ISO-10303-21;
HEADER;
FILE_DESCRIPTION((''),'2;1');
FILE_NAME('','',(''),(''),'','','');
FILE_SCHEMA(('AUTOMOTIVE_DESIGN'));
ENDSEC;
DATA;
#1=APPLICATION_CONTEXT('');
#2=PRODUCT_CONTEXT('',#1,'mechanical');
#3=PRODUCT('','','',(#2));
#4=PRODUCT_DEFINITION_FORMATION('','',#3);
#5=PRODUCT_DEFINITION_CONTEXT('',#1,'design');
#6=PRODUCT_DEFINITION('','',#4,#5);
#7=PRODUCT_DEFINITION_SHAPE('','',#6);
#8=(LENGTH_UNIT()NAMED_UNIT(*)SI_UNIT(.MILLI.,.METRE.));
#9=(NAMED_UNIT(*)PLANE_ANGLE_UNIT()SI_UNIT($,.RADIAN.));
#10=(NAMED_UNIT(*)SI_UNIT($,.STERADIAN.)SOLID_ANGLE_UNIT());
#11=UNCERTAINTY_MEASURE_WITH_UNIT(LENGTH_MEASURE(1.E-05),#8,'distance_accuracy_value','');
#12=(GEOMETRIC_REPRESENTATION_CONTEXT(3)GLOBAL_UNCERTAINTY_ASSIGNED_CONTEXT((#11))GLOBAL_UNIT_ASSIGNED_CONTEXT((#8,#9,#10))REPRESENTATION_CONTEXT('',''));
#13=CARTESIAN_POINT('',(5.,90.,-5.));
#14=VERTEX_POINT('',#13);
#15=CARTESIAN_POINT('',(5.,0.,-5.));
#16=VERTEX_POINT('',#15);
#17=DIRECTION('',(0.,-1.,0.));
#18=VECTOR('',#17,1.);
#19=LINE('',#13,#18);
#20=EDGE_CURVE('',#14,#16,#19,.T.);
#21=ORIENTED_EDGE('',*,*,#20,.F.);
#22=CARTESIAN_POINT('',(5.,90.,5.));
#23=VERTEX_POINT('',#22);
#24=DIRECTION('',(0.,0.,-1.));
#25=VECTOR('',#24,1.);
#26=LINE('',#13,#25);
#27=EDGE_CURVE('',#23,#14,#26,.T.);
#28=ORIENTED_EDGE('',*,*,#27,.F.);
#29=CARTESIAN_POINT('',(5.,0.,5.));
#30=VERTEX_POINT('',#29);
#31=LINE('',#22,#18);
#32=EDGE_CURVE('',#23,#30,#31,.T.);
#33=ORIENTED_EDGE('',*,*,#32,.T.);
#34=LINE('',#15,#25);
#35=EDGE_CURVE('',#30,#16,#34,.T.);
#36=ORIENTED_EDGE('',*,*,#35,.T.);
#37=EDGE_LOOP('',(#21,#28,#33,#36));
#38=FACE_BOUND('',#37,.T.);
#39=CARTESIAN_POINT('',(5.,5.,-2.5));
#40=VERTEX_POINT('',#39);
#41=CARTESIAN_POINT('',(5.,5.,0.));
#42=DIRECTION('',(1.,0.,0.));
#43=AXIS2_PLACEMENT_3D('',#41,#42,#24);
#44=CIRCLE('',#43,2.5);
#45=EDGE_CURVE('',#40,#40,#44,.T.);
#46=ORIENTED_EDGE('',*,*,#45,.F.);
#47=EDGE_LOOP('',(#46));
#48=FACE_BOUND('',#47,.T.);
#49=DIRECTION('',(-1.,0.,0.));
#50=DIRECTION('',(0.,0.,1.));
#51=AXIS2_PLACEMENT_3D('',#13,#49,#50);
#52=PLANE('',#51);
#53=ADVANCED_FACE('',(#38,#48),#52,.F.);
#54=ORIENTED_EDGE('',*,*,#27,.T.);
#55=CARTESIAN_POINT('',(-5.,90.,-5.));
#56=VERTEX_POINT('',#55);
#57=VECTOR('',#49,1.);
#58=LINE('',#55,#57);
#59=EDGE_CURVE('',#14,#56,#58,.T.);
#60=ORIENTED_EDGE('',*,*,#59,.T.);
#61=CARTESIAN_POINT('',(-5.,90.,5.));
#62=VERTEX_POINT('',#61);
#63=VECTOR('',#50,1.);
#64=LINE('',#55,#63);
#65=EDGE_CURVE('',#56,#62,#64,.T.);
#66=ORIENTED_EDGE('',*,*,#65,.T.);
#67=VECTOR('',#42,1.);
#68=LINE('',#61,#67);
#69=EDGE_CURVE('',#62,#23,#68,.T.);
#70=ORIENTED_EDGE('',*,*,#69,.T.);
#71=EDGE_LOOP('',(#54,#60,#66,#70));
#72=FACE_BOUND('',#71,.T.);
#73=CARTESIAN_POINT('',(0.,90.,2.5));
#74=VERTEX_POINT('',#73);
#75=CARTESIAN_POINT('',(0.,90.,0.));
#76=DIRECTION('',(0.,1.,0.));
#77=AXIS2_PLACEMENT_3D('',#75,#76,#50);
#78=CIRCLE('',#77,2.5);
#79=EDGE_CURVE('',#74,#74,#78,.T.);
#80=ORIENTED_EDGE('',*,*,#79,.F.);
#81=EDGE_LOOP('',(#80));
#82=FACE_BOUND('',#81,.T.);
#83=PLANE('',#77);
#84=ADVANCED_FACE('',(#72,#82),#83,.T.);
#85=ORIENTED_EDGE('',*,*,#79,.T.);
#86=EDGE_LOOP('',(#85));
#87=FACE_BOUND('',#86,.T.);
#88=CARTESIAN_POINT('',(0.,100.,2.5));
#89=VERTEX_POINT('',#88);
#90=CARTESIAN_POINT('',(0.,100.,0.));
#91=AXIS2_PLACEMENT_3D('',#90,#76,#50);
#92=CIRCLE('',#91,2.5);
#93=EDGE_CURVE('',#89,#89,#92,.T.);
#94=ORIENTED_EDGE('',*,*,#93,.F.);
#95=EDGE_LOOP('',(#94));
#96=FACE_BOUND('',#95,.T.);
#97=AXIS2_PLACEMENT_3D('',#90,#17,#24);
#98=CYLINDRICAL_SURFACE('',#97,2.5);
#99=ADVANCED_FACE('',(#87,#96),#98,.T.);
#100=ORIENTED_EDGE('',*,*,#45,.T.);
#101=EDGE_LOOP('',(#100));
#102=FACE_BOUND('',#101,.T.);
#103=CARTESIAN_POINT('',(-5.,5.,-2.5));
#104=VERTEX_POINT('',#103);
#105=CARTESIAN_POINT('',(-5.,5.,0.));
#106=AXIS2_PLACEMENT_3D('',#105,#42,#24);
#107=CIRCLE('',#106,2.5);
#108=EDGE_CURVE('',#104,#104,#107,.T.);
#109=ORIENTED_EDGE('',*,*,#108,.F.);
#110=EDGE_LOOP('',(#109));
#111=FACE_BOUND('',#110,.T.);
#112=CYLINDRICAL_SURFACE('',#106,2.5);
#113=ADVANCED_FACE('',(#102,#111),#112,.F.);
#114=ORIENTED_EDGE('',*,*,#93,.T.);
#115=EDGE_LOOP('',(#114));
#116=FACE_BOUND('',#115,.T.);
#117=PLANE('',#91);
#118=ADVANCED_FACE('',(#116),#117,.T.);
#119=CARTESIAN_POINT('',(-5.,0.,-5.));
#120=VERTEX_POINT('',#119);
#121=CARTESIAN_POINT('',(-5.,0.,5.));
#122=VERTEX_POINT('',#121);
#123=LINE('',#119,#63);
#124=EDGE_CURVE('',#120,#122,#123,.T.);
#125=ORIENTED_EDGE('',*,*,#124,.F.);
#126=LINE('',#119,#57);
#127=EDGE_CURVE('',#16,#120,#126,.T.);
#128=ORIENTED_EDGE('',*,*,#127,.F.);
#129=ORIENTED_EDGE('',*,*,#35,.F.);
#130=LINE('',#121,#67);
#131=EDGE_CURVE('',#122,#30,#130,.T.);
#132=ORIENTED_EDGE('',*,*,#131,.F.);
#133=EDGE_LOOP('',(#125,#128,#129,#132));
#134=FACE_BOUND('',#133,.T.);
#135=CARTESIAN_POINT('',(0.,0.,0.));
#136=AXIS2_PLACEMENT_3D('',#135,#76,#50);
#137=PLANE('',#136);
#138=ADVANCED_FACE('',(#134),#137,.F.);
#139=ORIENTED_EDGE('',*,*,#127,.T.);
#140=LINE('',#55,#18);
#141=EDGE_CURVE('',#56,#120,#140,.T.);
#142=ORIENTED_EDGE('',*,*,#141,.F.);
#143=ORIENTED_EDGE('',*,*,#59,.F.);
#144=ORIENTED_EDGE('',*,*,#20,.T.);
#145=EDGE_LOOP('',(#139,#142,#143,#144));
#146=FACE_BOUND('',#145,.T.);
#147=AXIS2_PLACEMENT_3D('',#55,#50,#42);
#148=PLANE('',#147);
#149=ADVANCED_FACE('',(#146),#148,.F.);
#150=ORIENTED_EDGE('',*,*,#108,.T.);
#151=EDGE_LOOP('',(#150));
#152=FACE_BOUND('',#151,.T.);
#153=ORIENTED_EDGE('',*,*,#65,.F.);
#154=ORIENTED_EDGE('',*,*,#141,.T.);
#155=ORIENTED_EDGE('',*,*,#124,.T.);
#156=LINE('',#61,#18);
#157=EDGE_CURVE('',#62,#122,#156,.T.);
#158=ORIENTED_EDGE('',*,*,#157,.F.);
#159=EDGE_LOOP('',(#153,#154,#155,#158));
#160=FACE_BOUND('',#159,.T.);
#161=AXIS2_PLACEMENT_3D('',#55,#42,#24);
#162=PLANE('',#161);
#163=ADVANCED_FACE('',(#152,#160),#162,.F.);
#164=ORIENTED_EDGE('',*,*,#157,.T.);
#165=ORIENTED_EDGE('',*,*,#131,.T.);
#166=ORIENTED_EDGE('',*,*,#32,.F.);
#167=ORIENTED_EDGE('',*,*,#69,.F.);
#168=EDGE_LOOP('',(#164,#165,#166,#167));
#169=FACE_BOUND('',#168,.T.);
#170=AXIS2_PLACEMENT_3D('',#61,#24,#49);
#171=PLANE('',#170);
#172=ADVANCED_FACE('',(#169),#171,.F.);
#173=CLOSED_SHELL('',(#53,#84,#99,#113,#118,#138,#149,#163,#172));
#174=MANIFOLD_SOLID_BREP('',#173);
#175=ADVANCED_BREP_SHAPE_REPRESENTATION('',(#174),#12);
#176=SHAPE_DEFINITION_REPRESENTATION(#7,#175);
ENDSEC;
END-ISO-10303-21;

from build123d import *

# Parameters (mm, degrees)
SKETCH1_W           = 10
SKETCH1_H           = 10
BOSS_EXTRUDE1_DEPTH = 90
SKETCH2_R           = 2.5
BOSS_EXTRUDE2_DEPTH = 10
SKETCH3_R           = 2.5
CUT_EXTRUDE1_DEPTH  = 101.623058987


with BuildPart() as part:
    # Sketch1 → Boss-Extrude1 (new body)
    with BuildSketch(Plane(origin=(0, 0, 0), x_dir=(1, 0, 0), z_dir=(0, 1, 0))):
        Rectangle(SKETCH1_W, SKETCH1_H)
    extrude(amount=BOSS_EXTRUDE1_DEPTH)

    # Sketch2 → Boss-Extrude2 (add)
    with BuildSketch(Plane(origin=(0, 90, 0), x_dir=(1, 0, 0), z_dir=(0, 1, 0))):
        with Locations(Location((0, 0, 0), (0, 0, 270))):
            Circle(SKETCH2_R)
    extrude(amount=BOSS_EXTRUDE2_DEPTH)

    # Sketch3 → Cut-Extrude1 (cut, through all)
    with BuildSketch(Plane(origin=(5, 0, 0), x_dir=(0, 0, -1), z_dir=(1, 0, 0))):
        with Locations((0, 5)):
            Circle(SKETCH3_R)
    extrude(amount=-CUT_EXTRUDE1_DEPTH, mode=Mode.SUBTRACT)


solid = part.part
